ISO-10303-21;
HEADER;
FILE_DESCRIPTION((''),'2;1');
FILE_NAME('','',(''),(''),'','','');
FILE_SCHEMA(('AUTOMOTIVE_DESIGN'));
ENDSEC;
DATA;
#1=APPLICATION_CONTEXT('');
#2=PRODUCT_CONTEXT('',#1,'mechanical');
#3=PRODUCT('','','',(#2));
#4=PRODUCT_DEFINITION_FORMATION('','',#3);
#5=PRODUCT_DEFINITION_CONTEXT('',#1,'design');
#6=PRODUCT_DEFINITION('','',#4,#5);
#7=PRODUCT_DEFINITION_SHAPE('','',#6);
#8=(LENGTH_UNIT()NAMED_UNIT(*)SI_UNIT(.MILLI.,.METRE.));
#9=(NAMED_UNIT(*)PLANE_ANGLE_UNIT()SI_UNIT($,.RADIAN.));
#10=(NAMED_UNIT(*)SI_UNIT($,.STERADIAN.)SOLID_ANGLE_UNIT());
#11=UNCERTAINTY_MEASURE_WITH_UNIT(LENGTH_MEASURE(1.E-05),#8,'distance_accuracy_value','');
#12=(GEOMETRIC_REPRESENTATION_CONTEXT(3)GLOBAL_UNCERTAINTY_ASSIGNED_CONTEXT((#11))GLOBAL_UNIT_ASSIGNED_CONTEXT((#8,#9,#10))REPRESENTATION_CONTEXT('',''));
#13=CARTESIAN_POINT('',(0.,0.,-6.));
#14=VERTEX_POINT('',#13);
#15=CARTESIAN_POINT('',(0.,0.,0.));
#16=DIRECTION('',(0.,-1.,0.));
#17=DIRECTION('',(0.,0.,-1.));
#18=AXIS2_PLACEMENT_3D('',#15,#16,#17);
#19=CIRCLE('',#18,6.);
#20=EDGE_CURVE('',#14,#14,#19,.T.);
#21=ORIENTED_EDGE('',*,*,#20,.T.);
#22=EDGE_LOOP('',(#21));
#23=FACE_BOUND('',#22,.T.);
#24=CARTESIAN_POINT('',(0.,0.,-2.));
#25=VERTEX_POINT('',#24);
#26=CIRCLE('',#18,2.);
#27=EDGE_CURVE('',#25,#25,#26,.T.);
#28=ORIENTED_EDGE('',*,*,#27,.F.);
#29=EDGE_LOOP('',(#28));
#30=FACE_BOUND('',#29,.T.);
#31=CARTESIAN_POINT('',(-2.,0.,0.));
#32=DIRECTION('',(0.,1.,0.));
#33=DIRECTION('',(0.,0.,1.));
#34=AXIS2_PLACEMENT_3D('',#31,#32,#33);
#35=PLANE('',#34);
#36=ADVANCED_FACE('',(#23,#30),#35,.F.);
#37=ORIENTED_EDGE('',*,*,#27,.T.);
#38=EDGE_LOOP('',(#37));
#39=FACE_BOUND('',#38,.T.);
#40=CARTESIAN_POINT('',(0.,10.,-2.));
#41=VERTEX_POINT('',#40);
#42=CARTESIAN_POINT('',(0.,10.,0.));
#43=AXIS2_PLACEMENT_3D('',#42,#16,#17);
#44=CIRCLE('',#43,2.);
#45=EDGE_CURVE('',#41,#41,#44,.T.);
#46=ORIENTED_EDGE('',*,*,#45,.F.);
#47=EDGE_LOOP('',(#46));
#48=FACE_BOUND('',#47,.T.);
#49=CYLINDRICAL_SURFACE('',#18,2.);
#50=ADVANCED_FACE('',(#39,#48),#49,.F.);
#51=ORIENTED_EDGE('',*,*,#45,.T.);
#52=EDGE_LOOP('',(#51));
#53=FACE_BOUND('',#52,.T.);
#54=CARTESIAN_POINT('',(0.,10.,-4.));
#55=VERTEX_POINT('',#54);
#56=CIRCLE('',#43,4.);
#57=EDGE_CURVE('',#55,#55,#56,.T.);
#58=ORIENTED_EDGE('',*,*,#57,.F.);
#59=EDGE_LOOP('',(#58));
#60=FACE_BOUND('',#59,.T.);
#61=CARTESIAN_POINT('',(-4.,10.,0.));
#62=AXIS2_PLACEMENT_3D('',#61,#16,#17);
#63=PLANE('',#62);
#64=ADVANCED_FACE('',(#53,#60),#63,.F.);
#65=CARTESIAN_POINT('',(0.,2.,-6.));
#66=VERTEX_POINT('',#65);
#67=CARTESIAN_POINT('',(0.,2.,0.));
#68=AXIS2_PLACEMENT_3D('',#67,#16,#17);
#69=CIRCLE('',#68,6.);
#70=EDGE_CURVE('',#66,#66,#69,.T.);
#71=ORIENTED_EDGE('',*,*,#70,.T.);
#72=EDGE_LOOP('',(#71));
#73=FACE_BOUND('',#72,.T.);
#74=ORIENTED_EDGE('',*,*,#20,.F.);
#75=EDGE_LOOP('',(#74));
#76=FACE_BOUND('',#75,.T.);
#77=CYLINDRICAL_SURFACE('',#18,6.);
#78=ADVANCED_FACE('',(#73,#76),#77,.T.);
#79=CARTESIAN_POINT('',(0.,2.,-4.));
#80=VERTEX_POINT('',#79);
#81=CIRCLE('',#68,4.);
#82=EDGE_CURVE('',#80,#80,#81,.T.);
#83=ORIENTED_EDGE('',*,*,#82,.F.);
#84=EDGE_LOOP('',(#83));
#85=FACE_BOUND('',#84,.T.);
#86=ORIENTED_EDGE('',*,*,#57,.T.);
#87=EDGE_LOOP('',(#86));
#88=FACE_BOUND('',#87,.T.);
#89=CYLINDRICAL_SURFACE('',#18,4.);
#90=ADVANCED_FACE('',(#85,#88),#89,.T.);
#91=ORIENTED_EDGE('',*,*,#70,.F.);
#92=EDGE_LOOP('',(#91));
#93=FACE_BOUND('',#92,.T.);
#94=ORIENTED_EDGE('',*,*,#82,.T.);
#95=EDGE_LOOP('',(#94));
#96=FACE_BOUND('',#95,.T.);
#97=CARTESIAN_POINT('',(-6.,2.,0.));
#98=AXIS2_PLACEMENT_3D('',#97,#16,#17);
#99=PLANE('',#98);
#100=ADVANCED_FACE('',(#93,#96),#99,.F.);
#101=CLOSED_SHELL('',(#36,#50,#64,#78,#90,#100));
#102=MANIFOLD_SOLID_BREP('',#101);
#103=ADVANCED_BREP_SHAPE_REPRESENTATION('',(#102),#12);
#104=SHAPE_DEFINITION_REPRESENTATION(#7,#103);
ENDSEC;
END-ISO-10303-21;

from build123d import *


with BuildPart() as part:
    # Croquis1 → Revolución1 (revolve)
    with BuildSketch(Plane.XY, mode=Mode.PRIVATE) as revoluci_n1_sk:
        Polygon((-2, 10), (-2, 0), (-6, 0), (-6, 2), (-4, 2), (-4, 10), align=None)
    revolve(revoluci_n1_sk.sketch.rotate(Axis((0, 0, 0), (0, 1, 0)), 270), axis=Axis((0, 0, 0), (0, 1, 0)))


solid = part.part
